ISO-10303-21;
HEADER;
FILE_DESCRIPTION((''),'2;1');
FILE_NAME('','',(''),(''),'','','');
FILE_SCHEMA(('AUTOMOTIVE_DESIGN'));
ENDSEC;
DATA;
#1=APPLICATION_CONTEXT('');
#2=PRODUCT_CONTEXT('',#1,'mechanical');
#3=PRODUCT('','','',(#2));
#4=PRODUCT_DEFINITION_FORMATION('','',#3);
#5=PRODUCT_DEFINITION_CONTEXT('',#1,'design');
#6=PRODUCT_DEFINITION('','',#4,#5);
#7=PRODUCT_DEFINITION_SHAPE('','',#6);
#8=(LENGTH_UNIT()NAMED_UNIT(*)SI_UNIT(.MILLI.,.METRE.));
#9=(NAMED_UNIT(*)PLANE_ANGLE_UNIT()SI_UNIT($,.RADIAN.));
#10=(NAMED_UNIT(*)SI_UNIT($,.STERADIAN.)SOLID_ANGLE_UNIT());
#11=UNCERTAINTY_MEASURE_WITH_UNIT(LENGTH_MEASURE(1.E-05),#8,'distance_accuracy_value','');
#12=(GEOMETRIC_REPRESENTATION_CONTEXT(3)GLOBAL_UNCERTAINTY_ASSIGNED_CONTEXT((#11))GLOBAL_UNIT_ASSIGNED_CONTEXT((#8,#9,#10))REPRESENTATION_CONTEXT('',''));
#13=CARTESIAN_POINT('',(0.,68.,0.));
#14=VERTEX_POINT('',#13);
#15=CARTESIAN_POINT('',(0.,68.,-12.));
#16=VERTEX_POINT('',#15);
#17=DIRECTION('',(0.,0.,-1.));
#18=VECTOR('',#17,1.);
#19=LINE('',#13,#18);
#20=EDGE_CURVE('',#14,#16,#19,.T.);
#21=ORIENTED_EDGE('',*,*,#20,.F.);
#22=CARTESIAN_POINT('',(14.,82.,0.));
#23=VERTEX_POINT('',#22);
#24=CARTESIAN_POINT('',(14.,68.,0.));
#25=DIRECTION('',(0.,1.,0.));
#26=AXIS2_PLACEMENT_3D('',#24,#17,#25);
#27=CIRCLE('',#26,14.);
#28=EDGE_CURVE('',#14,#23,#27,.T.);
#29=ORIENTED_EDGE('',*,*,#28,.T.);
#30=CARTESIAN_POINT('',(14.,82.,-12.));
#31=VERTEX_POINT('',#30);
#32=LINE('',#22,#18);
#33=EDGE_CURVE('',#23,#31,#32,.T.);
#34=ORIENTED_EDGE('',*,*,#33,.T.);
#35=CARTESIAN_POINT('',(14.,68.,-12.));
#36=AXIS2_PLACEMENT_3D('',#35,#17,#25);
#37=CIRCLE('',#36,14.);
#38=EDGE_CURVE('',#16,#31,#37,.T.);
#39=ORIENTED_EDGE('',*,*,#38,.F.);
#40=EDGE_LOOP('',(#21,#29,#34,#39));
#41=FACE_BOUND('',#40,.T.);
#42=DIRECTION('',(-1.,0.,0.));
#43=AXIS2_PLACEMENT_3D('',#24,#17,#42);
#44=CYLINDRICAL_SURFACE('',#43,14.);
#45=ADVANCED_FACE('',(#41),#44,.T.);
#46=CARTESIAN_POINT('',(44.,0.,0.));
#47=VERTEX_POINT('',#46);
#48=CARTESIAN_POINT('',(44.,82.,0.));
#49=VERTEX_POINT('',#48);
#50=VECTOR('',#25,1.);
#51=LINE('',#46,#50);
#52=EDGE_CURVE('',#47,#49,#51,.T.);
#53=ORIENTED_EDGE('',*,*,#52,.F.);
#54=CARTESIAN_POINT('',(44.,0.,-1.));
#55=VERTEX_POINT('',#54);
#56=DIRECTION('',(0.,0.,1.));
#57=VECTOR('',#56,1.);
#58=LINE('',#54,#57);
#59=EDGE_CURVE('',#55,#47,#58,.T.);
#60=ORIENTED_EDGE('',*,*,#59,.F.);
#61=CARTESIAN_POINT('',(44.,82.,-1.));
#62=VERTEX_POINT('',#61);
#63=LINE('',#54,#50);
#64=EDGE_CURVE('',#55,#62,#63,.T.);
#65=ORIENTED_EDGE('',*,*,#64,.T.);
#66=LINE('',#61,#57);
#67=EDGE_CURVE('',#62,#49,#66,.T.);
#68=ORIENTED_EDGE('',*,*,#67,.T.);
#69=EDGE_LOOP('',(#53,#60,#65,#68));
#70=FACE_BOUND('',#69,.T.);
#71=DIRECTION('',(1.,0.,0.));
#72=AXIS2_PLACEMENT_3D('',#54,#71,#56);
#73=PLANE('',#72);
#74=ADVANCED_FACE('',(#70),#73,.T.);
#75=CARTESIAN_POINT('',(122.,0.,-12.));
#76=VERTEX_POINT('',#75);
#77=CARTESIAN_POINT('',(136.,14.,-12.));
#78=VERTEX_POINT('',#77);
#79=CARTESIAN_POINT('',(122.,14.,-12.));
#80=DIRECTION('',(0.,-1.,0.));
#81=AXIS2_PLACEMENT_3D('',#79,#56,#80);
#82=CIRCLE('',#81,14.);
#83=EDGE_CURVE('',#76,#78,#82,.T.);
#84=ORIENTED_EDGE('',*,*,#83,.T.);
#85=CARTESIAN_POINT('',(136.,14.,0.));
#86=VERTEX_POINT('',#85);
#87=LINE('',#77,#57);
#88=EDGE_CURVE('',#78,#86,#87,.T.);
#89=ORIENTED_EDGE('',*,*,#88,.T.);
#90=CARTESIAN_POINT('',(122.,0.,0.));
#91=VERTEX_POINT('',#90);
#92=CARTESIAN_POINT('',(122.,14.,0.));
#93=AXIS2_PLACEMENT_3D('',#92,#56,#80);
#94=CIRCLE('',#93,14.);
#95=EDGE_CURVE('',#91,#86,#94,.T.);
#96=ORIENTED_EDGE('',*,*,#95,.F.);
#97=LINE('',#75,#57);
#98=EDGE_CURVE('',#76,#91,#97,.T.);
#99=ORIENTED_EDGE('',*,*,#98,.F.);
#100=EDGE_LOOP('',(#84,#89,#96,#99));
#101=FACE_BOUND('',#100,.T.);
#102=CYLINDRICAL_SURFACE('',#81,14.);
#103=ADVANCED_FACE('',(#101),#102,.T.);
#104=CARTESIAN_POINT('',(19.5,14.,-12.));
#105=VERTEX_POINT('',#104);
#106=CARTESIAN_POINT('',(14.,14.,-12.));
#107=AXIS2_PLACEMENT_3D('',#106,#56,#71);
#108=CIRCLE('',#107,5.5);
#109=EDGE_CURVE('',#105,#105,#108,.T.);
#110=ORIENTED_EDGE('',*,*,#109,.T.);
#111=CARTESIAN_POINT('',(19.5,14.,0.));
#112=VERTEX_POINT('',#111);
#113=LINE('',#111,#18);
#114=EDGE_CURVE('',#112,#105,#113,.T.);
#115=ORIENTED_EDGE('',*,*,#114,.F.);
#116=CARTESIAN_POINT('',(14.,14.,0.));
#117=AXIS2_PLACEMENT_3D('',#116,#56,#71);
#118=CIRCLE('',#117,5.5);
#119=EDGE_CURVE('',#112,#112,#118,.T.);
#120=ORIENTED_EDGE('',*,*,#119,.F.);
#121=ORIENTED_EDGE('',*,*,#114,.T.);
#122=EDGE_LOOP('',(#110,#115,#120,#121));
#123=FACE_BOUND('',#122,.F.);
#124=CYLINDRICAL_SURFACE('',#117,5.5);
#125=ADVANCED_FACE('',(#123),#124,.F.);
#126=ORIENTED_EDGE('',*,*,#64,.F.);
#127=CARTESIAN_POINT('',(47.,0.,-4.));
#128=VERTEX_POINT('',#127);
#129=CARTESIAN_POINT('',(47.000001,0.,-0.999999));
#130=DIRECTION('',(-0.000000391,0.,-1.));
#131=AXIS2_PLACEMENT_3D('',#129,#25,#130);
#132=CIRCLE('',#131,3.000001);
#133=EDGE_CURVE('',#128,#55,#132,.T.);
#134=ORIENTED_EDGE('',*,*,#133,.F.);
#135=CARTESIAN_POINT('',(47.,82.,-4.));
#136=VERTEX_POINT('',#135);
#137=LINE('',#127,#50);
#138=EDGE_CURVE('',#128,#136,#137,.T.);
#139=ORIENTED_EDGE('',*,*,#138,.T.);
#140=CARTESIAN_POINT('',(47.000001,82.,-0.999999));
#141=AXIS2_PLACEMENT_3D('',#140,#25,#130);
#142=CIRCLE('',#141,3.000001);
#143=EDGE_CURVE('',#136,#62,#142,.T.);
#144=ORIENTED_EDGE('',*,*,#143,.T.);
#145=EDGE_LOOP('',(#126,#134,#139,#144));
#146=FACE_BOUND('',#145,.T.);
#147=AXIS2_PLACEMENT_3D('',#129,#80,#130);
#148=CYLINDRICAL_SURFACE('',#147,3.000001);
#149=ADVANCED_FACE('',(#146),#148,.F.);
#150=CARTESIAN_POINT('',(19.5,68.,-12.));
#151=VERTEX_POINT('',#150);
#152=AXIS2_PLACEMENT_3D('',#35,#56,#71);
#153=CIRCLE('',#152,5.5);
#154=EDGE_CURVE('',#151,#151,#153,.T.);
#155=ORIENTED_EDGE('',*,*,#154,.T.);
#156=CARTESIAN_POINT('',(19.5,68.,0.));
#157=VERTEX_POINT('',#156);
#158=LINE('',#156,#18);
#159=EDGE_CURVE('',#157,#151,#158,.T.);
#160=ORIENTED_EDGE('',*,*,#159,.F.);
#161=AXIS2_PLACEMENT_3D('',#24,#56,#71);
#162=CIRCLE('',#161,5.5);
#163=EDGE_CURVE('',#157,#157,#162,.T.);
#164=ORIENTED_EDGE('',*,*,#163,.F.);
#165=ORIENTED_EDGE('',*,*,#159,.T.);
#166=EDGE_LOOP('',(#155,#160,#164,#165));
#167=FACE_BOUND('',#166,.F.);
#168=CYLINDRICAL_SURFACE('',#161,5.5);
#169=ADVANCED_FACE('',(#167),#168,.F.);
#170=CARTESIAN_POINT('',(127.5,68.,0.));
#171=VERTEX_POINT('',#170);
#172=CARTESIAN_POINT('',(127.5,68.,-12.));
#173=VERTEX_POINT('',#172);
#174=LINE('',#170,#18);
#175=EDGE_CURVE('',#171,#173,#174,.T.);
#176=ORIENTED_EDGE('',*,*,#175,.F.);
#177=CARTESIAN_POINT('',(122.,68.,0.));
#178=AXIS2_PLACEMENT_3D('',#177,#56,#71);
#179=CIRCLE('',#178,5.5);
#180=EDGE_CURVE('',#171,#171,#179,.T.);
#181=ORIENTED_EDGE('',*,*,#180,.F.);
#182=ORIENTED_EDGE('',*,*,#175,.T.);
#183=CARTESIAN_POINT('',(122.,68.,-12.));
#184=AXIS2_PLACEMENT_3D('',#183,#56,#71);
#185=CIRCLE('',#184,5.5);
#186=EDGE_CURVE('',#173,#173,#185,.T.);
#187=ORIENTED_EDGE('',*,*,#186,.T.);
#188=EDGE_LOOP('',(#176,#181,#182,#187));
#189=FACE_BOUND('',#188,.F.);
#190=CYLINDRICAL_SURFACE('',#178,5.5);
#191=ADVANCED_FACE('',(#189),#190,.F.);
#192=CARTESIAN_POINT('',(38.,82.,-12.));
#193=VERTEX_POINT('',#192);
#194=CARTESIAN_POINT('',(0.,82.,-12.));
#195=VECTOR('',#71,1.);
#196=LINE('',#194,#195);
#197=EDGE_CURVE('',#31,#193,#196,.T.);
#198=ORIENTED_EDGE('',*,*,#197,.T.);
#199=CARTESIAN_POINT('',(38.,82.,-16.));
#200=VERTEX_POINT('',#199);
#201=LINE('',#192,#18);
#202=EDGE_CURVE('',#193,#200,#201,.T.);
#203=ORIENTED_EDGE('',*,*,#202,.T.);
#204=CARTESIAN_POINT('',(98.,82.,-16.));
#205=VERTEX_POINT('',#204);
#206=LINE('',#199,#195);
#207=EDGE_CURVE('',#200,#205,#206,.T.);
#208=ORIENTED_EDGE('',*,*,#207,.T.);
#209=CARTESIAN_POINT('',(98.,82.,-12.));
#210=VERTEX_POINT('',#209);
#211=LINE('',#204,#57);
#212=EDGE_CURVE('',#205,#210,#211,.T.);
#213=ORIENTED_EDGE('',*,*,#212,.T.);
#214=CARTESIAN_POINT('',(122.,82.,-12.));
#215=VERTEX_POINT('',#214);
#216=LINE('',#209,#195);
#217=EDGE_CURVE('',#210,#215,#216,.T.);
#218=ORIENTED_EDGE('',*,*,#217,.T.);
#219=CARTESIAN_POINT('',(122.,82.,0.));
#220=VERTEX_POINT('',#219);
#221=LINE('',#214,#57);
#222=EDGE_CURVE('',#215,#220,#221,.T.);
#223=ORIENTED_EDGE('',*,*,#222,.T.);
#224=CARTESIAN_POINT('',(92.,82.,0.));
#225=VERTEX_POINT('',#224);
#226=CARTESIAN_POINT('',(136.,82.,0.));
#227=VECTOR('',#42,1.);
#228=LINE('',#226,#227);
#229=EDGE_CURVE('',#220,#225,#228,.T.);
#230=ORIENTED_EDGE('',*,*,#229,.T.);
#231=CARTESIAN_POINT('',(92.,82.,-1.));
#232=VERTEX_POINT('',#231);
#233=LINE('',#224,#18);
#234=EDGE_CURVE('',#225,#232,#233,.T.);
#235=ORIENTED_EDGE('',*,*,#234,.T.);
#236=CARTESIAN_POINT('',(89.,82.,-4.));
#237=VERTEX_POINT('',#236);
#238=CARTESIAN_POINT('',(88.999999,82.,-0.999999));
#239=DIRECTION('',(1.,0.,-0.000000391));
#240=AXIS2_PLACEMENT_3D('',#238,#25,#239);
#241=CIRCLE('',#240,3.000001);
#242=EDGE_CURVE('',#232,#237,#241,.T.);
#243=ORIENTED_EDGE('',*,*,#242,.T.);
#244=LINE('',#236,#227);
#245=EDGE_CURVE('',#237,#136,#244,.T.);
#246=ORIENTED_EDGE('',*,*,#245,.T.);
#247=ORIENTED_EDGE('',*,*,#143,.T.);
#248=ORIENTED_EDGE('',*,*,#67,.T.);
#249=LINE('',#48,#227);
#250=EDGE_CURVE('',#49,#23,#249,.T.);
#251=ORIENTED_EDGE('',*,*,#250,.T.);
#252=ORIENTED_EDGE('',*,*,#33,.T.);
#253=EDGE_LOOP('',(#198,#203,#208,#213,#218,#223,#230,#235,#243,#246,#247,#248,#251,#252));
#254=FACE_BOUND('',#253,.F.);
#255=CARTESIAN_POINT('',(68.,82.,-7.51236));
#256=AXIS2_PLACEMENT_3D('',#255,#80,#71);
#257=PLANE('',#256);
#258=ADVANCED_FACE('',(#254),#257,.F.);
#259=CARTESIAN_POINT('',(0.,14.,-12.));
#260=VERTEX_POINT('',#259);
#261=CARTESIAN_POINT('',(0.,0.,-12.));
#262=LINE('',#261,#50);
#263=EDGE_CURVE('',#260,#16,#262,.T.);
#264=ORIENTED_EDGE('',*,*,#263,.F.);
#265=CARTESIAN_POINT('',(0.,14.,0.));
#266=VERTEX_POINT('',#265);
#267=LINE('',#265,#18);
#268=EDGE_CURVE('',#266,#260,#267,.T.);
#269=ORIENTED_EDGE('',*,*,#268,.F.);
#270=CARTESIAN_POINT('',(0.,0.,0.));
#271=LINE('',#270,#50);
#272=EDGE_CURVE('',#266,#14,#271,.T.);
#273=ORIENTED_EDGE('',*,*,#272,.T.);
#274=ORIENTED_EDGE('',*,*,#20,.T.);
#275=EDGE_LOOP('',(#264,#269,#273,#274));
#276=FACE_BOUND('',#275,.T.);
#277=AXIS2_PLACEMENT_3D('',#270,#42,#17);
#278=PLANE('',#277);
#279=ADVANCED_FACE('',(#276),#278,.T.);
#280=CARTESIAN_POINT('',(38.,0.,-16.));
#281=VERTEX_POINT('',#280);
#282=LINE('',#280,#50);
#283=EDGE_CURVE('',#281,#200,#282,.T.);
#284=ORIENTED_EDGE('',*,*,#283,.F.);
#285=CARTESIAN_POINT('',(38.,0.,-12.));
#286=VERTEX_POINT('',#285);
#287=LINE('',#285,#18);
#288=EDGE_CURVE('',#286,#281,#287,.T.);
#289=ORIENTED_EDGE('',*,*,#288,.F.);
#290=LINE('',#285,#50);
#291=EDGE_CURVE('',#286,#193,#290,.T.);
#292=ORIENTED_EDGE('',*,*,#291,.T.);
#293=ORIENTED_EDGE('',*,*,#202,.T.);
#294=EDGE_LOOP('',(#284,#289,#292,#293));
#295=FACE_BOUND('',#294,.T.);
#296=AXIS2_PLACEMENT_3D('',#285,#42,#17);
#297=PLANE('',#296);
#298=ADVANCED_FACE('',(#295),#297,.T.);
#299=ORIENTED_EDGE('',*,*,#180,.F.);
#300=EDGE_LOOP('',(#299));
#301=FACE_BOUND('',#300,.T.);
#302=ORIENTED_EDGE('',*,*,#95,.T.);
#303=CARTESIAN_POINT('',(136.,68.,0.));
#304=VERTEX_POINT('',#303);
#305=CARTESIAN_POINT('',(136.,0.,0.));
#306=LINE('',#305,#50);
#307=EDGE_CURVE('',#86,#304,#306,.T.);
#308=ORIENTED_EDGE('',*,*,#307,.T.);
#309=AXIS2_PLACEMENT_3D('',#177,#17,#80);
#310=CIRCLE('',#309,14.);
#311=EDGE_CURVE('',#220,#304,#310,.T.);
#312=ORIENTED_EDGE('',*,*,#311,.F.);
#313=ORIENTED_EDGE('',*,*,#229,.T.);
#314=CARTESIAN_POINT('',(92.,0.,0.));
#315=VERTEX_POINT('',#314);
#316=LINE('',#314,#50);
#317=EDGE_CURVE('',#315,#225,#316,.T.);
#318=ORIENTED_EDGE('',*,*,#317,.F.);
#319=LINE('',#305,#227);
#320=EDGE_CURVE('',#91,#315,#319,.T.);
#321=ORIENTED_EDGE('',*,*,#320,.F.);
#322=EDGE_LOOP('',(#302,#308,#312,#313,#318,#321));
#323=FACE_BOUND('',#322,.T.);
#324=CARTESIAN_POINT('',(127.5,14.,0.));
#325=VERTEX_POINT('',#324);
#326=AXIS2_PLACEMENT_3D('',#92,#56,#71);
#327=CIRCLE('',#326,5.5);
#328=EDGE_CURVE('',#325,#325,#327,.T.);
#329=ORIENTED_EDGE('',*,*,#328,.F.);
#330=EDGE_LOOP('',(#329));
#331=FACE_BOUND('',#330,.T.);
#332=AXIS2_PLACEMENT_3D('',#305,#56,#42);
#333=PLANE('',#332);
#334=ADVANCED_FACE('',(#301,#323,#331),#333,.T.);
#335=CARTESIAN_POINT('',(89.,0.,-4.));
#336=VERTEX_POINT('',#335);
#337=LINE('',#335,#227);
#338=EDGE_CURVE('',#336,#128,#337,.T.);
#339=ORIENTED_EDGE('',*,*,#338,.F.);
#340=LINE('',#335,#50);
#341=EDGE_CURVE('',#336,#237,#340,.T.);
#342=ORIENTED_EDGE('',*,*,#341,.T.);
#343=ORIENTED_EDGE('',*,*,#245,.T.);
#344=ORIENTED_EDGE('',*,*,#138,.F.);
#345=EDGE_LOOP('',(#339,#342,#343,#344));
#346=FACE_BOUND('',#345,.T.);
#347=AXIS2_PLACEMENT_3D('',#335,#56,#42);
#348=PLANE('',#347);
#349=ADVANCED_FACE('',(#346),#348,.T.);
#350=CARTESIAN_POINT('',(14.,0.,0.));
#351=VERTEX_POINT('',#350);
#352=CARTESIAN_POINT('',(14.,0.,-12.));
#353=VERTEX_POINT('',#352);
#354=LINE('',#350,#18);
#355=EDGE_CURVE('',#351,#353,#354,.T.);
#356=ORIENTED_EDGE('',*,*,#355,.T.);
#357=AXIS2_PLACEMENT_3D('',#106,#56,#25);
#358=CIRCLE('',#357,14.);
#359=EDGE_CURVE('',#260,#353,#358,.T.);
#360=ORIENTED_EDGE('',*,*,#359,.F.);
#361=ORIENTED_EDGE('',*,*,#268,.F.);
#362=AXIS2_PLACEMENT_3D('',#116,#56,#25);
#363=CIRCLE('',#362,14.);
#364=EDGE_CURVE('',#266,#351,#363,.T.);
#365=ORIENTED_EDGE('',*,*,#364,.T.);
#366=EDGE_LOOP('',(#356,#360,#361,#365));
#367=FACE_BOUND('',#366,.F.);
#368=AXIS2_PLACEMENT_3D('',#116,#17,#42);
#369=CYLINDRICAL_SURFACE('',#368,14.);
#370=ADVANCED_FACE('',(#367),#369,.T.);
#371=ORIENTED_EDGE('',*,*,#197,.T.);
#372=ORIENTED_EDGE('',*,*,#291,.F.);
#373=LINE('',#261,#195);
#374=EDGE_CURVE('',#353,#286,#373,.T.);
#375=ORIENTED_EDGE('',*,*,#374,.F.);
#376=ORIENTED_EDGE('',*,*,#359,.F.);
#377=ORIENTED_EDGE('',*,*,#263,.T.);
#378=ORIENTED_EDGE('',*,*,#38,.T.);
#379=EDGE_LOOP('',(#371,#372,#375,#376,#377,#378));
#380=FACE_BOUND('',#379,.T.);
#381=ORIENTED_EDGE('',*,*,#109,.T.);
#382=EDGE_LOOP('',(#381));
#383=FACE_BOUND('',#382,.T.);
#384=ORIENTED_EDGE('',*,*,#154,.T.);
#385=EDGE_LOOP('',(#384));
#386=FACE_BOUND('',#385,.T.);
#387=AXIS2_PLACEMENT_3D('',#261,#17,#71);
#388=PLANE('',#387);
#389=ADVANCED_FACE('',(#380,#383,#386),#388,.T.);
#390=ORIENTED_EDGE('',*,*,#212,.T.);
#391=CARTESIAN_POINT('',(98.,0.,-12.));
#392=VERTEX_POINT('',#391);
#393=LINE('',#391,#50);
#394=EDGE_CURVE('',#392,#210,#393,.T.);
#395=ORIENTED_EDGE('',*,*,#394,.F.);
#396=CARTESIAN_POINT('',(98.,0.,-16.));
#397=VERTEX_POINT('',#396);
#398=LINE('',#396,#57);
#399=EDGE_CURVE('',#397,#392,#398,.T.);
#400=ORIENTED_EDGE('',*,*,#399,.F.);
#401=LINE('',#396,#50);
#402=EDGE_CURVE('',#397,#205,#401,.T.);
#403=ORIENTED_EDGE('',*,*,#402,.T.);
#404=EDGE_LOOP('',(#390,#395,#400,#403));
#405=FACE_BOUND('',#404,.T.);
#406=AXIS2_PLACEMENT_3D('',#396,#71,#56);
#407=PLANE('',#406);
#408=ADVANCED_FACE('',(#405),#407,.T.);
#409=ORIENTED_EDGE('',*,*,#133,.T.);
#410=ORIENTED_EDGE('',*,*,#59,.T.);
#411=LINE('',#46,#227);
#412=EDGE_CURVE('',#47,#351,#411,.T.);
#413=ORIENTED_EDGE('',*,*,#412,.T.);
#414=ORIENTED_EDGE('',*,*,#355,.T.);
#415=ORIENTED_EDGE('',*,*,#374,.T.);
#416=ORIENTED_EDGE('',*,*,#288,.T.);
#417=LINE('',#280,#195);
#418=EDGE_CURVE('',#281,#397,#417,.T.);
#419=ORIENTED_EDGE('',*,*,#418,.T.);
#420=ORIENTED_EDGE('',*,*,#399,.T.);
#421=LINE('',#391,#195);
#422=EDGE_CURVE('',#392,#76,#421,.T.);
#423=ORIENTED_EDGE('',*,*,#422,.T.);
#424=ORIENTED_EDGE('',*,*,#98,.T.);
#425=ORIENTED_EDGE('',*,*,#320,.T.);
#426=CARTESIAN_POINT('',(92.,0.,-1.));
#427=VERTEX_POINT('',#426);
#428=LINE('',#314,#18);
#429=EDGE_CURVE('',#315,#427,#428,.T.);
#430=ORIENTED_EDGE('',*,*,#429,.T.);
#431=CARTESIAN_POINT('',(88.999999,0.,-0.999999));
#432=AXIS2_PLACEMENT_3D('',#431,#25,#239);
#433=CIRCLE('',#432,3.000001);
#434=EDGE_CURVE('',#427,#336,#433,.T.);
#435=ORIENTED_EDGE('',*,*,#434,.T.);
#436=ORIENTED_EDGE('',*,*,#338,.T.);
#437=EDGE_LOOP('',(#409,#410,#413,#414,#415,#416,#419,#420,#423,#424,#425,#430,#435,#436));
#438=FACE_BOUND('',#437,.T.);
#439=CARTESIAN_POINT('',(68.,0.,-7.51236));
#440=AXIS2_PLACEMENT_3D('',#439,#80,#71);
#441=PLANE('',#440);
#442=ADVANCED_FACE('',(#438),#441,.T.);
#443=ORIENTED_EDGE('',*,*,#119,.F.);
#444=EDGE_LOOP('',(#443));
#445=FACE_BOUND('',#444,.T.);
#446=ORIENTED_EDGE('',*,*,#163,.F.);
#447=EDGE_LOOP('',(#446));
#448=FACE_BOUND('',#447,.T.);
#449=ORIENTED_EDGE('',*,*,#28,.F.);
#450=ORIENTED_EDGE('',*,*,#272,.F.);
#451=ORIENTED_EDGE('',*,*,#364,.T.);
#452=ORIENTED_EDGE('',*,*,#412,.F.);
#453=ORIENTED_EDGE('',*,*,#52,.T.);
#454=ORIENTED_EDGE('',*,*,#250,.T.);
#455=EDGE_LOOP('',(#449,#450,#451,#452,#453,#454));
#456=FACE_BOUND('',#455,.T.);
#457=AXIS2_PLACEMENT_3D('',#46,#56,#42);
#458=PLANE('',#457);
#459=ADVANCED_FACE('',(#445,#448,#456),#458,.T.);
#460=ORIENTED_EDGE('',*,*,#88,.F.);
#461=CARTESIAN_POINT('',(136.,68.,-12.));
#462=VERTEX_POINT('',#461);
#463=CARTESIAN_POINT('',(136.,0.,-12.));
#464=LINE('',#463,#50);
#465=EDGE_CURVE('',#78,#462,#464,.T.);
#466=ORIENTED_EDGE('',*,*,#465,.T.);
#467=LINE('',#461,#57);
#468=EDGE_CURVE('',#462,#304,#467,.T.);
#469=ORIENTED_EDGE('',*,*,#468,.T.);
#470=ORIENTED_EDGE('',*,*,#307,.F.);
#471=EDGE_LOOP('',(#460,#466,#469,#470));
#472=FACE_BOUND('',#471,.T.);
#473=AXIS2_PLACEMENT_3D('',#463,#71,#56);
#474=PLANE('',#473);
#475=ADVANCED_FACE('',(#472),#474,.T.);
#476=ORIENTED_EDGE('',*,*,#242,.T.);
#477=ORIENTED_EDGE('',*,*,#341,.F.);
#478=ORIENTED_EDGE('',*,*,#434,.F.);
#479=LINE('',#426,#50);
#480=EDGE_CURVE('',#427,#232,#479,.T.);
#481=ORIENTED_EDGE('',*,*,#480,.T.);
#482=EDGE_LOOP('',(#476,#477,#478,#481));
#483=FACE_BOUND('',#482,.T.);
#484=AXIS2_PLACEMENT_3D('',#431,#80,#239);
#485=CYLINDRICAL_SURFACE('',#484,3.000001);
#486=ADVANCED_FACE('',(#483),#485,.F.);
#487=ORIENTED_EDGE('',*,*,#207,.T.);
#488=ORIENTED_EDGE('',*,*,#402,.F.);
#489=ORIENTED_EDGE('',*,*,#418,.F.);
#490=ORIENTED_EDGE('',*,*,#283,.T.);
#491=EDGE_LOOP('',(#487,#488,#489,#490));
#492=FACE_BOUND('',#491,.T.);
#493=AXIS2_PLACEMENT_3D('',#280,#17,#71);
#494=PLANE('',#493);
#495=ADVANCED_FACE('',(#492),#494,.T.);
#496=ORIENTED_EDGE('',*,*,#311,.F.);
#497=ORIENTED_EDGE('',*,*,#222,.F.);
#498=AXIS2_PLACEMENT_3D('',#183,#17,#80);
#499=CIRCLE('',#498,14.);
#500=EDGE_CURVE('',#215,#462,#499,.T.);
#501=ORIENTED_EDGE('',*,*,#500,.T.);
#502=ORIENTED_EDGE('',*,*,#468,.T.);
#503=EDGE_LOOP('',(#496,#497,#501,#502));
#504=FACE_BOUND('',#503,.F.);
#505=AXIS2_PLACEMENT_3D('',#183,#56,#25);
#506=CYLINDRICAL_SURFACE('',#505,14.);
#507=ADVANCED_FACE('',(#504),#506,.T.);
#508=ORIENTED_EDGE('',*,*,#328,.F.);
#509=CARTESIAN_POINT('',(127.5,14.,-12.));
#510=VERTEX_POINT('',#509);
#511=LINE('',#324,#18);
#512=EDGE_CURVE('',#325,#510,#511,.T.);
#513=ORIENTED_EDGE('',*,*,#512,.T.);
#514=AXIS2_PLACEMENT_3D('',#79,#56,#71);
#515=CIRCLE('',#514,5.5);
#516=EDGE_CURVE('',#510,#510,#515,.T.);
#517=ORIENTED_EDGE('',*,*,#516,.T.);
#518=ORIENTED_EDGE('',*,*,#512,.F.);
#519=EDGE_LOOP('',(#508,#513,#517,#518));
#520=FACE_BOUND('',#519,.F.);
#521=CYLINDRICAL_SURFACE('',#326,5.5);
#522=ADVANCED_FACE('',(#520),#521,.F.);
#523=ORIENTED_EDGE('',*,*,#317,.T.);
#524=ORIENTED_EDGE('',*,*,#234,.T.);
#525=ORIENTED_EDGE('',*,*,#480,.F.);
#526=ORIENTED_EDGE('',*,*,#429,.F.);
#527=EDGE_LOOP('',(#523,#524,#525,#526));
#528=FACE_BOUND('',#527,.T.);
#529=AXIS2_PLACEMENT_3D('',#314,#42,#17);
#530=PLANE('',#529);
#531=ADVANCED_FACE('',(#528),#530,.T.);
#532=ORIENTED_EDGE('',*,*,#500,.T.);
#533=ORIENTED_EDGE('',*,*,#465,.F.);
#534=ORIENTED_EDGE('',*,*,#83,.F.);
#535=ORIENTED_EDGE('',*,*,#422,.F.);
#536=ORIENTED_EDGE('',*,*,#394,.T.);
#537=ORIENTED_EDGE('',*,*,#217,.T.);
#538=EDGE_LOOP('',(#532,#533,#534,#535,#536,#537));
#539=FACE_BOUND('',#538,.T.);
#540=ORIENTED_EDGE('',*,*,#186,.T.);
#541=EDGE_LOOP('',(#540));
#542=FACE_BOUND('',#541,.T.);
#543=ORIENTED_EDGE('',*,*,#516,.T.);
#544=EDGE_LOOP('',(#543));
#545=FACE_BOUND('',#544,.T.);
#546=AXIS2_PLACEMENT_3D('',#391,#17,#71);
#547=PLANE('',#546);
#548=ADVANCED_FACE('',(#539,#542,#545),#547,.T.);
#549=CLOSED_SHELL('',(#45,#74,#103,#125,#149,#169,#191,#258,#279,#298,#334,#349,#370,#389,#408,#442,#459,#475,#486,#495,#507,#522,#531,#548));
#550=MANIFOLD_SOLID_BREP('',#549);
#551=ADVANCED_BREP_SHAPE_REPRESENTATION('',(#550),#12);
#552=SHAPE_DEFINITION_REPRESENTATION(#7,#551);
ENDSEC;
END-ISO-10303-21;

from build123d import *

# Parameters (mm, degrees)
F1_DEPTH = 82
F2_R     = 14
F3_R     = 14
F4_R     = 14
F5_R     = 5.5
F6_DEPTH = 10000


with BuildPart() as f1:
    # F0 (on Front) → F1 (new body)
    with BuildSketch(Plane.XZ):
        with BuildLine():
            Line((44, 0), (0, 0))
            Line((0, 0), (0, -12))
            Line((0, -12), (38, -12))
            Line((38, -12), (38, -16))
            Line((38, -16), (98, -16))
            Line((98, -16), (98, -12))
            Line((98, -12), (136, -12))
            Line((136, -12), (136, 0))
            Line((136, 0), (92, 0))
            Line((92, 0), (92, -1))
            ThreePointArc((92, -1), (91.12132, -3.12132), (89, -4))
            Line((89, -4), (47, -4))
            ThreePointArc((47, -4), (44.87868, -3.12132), (44, -1))
            Line((44, -1), (44, 0))
        make_face()
    extrude(amount=-F1_DEPTH)

    # F2
    f2_edges = [f1.edges().sort_by_distance(p)[0] for p in [
        (0, 82, -6),
    ]]
    fillet(f2_edges, radius=F2_R)

    # F3
    f3_edges = [f1.edges().sort_by_distance(p)[0] for p in [
        (0, 0, -6),
    ]]
    fillet(f3_edges, radius=F3_R)

    # F4
    f4_edges = [f1.edges().sort_by_distance(p)[0] for p in [
        (136, 0, -6),
        (136, 82, -6),
    ]]
    fillet(f4_edges, radius=F4_R)

    # F5 (on face) → F6 (cut)
    with BuildSketch(Plane.XY):
        with Locations((14, 68)):
            Circle(F5_R)
        with Locations((14, 14)):
            Circle(F5_R)
        with Locations((122, 14)):
            Circle(F5_R)
        with Locations((122, 68)):
            Circle(F5_R)
    extrude(amount=-F6_DEPTH, mode=Mode.SUBTRACT)


solid = f1.part
